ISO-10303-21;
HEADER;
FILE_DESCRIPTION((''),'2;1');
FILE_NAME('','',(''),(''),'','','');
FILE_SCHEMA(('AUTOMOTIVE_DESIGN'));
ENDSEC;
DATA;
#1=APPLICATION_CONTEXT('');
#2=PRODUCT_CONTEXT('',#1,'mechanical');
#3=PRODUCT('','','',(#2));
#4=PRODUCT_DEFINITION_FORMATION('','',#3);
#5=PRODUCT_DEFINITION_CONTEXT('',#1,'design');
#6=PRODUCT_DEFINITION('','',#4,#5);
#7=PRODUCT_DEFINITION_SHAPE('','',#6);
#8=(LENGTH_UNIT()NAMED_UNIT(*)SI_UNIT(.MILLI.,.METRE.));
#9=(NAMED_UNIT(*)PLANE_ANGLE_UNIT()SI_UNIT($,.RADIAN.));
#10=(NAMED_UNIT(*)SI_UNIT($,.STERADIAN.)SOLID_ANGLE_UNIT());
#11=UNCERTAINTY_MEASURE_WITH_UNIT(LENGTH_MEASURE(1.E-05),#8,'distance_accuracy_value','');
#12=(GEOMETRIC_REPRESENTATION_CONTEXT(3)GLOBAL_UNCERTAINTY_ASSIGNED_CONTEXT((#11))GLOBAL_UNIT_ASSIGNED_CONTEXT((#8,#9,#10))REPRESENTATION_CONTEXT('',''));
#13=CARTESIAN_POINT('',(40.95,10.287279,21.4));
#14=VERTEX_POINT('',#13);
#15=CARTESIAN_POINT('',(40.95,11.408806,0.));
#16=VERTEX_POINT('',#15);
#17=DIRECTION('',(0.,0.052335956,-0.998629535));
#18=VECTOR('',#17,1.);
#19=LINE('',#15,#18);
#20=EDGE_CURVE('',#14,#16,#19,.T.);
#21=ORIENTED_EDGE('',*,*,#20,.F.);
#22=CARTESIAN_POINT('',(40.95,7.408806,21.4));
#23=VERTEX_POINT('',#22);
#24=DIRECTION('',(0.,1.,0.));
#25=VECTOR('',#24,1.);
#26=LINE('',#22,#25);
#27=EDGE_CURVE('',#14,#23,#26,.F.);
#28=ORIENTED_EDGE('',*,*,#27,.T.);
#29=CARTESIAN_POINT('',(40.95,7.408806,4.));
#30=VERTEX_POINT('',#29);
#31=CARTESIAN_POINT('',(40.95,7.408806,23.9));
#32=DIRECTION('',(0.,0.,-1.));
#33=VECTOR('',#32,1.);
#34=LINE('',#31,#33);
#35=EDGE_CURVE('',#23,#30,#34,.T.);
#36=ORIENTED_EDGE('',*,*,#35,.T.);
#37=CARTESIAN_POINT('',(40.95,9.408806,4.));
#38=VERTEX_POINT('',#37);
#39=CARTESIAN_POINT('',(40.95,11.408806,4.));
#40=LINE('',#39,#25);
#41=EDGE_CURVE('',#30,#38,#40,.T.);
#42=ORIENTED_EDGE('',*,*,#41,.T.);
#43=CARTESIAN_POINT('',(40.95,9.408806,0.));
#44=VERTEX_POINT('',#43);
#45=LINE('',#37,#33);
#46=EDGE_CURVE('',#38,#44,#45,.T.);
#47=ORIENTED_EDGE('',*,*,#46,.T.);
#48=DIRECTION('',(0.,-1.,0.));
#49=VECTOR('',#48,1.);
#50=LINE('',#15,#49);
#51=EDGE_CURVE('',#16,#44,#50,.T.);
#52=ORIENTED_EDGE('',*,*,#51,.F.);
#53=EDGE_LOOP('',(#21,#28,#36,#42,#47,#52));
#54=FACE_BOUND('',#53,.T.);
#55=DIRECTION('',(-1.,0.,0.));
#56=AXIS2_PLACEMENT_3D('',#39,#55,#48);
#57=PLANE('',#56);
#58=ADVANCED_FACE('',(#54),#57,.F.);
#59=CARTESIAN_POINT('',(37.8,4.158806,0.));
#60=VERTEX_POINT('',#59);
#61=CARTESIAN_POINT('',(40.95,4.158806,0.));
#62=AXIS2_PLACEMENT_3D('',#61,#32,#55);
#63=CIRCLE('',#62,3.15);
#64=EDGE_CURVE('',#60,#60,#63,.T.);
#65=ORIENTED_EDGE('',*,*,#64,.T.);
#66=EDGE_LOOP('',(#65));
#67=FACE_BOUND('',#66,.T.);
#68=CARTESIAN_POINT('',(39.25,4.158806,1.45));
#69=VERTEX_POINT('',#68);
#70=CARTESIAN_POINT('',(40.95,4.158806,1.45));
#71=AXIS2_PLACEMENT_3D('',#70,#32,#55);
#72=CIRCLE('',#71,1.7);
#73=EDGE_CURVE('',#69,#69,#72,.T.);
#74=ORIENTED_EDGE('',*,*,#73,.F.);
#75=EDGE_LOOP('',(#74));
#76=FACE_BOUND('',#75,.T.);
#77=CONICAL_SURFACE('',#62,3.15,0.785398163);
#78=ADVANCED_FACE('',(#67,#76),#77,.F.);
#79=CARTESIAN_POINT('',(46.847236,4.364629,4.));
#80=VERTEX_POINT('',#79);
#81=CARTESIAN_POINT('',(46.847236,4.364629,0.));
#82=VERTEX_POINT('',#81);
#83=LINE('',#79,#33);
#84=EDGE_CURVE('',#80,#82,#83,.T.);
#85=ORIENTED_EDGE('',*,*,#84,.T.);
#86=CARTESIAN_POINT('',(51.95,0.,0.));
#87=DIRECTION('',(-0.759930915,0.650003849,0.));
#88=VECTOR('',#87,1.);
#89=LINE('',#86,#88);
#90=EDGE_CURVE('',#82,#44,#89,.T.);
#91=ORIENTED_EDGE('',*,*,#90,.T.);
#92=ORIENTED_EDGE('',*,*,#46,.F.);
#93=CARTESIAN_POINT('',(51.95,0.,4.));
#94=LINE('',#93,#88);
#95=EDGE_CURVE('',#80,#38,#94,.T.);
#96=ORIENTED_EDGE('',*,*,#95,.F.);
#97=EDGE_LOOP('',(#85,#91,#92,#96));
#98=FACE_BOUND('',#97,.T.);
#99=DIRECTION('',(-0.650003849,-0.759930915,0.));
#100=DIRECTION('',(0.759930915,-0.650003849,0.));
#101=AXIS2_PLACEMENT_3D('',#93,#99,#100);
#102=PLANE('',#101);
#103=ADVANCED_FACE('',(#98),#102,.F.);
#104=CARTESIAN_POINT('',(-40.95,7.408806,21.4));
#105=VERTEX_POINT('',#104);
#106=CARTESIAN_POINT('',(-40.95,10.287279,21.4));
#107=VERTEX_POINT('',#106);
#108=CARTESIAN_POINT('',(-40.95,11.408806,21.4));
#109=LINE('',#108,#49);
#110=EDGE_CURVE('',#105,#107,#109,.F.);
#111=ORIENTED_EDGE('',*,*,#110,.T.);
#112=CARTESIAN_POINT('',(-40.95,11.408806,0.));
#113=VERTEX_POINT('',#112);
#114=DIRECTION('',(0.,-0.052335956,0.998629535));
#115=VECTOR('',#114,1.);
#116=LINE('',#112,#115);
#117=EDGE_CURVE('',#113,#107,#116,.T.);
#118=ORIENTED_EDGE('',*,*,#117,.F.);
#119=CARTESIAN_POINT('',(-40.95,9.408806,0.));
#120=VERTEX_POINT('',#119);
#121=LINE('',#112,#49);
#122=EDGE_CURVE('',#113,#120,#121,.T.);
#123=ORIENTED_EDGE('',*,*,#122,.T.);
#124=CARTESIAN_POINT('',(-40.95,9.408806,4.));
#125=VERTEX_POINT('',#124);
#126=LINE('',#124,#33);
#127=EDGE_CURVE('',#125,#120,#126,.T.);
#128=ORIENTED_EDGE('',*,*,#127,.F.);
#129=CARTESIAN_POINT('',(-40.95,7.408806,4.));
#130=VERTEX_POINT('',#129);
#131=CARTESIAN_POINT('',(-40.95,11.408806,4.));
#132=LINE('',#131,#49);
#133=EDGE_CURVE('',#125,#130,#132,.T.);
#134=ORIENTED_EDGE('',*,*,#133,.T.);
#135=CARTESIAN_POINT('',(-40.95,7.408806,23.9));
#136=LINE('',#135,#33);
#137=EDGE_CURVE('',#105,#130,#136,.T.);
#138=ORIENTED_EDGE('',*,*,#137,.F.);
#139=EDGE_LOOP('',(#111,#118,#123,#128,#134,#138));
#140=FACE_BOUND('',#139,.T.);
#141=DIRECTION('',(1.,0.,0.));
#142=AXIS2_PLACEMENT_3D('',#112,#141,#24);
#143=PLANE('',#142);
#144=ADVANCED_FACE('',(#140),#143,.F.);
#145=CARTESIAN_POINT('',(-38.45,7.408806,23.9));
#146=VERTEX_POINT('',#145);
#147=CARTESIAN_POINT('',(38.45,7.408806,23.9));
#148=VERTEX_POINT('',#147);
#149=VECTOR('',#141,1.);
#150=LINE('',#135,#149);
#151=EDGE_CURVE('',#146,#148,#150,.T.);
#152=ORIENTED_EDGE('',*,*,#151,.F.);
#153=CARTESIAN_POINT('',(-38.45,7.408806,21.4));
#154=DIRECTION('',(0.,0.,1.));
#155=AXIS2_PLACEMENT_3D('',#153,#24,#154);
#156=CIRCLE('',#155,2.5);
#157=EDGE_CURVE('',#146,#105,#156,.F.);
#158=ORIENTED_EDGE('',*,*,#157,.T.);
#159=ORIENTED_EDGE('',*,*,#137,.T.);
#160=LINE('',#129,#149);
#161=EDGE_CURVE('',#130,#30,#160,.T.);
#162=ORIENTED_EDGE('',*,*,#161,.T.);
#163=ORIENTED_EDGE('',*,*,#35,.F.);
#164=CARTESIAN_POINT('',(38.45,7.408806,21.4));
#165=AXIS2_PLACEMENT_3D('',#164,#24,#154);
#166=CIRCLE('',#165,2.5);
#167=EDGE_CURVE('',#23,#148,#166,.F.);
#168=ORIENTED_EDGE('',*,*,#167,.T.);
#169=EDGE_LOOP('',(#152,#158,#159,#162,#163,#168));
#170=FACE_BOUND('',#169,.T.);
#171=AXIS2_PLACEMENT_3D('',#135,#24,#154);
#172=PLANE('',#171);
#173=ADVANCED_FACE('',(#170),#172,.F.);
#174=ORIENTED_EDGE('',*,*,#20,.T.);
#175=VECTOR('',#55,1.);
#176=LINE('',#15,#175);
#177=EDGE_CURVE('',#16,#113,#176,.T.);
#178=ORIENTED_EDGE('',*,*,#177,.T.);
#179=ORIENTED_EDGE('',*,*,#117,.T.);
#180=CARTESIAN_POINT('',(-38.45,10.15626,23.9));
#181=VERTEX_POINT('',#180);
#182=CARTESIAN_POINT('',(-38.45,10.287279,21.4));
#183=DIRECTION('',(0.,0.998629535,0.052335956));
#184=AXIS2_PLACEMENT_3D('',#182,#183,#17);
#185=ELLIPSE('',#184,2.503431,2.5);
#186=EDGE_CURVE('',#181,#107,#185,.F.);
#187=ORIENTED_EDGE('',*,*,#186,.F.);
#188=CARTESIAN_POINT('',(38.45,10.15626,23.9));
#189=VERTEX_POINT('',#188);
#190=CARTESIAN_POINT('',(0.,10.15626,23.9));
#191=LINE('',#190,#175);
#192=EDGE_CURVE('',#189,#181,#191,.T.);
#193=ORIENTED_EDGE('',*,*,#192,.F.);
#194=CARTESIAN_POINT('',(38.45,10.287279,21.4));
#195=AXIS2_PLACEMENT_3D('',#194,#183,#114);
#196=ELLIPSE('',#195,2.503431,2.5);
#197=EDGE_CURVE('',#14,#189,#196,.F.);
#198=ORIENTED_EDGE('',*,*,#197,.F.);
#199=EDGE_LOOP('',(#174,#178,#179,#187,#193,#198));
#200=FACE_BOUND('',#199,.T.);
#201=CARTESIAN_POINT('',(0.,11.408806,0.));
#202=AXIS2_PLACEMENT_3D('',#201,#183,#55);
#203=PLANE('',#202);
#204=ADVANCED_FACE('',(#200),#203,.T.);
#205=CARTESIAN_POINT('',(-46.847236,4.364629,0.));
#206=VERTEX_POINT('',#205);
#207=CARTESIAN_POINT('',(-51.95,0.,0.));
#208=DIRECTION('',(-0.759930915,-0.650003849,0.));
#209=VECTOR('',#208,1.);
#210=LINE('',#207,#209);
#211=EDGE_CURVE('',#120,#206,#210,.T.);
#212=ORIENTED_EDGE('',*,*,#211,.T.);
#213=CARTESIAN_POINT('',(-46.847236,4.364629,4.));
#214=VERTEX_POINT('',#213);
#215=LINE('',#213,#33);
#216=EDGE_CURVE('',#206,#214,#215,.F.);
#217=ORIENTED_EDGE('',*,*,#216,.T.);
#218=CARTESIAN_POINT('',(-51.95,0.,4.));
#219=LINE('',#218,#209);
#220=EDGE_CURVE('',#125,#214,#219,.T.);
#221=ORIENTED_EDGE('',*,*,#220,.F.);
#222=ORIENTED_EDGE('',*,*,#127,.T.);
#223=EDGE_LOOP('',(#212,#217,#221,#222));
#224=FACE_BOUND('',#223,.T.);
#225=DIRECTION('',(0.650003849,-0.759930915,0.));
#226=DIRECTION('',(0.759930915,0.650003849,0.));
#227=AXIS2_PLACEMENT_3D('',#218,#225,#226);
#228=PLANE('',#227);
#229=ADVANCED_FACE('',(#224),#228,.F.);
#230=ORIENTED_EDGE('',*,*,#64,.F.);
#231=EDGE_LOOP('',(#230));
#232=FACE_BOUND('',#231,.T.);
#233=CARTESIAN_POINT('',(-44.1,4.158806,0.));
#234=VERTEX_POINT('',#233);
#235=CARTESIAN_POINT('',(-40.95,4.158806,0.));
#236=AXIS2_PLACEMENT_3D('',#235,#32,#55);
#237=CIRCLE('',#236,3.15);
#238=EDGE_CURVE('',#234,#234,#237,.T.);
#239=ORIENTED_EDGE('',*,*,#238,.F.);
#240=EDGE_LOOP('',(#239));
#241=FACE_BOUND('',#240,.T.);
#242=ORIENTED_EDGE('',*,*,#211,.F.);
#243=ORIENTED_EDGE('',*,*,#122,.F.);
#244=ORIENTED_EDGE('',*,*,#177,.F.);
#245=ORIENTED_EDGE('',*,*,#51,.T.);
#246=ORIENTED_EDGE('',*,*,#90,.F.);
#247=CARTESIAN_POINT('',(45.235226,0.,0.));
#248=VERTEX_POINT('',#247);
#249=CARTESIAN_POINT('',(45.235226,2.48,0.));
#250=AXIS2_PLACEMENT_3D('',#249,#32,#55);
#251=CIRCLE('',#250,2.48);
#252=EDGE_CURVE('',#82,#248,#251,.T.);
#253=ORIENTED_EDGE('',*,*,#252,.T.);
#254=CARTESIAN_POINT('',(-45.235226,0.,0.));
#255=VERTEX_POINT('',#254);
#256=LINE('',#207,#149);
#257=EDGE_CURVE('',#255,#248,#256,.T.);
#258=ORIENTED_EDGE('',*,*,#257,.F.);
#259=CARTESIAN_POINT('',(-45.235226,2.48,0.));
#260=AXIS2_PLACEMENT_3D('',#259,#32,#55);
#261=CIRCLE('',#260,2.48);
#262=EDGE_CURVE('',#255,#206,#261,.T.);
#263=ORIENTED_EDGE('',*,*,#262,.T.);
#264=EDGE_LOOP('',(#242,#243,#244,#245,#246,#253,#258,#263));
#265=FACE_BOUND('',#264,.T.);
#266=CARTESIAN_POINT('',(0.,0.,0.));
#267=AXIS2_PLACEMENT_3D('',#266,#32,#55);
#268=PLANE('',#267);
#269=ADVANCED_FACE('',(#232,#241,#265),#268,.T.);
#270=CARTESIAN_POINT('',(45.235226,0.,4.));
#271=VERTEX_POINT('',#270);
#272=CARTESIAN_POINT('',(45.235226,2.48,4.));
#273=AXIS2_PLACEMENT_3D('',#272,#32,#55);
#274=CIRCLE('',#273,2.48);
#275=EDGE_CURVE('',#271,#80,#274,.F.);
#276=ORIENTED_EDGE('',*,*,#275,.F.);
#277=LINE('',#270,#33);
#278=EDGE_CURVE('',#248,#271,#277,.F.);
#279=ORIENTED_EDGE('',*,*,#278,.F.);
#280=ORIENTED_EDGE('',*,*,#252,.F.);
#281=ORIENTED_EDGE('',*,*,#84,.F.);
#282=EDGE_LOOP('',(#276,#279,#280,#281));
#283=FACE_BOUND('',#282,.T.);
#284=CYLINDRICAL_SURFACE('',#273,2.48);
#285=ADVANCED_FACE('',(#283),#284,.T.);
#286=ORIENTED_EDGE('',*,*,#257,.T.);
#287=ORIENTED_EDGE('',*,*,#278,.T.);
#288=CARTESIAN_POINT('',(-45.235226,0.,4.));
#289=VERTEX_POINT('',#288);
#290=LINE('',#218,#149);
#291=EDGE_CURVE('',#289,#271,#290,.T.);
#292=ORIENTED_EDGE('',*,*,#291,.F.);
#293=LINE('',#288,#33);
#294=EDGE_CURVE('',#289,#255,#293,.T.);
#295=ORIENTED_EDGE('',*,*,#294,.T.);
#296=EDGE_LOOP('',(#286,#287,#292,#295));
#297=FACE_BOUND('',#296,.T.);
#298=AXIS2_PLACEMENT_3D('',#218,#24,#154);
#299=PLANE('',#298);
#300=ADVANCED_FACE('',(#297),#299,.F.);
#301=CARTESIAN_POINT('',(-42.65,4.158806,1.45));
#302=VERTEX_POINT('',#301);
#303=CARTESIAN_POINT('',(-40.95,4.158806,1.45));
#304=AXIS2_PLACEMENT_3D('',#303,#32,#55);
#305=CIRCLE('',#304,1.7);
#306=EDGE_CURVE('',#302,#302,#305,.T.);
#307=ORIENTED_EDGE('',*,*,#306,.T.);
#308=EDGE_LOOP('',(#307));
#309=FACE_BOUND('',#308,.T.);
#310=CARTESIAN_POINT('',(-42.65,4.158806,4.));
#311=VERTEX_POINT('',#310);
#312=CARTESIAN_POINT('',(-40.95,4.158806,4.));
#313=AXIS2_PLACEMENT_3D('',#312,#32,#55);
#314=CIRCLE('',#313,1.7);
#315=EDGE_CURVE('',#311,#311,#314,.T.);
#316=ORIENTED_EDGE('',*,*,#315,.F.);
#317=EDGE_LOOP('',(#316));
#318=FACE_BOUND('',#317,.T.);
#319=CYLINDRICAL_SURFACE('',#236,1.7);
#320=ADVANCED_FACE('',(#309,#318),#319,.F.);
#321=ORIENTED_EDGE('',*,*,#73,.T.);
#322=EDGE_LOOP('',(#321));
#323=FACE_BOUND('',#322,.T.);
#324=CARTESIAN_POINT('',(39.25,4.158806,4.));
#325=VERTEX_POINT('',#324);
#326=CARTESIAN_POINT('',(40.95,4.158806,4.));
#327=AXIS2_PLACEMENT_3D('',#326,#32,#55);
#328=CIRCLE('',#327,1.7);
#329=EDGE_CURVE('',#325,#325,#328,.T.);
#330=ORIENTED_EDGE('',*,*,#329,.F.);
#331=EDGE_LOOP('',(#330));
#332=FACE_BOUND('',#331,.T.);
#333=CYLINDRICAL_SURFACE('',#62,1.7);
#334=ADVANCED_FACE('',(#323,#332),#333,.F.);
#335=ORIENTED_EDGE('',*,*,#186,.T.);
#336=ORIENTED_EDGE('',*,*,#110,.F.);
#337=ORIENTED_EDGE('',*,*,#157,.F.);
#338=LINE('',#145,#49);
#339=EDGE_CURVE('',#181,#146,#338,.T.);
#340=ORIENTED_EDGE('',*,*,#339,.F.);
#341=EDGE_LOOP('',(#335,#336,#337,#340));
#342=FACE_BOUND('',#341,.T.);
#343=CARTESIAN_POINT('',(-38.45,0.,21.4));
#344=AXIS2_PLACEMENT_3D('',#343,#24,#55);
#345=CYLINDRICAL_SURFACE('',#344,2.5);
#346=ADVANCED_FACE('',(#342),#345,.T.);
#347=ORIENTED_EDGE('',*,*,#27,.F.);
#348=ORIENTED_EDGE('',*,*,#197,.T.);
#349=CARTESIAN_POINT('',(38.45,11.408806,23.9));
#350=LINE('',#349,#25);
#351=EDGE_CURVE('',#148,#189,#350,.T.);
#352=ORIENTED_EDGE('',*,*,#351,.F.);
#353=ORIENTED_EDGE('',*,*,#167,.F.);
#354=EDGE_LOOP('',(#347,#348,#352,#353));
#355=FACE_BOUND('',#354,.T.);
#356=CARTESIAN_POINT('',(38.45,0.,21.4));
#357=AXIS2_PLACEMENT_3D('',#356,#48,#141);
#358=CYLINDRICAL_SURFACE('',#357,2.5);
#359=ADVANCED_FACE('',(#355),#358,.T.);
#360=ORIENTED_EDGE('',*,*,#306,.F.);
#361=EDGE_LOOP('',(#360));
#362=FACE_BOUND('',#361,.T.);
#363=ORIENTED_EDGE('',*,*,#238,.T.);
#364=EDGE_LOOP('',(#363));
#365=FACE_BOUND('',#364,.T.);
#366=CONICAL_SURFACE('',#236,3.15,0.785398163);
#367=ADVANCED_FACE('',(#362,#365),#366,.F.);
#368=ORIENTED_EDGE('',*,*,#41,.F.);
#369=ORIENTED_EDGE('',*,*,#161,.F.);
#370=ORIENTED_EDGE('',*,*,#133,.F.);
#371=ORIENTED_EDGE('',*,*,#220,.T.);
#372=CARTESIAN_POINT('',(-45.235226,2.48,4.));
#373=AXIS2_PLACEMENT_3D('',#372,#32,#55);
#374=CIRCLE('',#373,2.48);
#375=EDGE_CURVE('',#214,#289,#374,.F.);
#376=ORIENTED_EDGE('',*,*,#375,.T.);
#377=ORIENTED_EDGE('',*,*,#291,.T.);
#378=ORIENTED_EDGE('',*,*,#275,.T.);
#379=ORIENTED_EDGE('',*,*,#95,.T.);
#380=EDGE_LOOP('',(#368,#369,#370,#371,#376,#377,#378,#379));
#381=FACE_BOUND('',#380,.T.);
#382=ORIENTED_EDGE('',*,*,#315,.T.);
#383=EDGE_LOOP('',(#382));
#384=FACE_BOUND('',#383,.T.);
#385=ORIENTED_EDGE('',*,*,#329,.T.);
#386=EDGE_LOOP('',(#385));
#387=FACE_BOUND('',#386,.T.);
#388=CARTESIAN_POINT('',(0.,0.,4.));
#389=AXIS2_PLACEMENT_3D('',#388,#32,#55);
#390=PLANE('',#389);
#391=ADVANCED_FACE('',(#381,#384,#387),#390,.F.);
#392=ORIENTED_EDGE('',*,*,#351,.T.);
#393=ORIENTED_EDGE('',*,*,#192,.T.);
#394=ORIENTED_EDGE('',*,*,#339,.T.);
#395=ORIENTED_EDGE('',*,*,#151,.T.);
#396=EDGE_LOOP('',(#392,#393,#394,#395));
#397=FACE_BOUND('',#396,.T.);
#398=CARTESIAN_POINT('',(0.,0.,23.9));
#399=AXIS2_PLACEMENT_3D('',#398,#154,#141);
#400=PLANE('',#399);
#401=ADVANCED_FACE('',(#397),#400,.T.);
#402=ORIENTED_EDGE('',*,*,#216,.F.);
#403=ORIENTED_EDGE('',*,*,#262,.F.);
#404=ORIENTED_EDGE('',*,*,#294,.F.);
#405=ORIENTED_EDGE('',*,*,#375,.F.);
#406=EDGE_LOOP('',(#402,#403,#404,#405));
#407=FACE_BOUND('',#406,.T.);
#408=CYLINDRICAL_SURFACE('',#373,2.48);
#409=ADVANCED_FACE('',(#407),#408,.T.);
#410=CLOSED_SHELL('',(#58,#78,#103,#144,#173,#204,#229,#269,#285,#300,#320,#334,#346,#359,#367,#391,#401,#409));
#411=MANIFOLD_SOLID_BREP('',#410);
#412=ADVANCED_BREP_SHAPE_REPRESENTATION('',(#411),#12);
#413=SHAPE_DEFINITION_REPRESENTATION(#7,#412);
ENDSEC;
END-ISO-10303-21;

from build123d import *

# Parameters (mm, degrees)
BOSS_EXTRUDE1_DEPTH                             = 4
FILLET1_R                                       = 2.48
SKETCH4_W                                       = 81.9
SKETCH4_H                                       = 4
BOSS_EXTRUDE3_DEPTH                             = 2
SKETCH6_W                                       = 81.9
SKETCH6_H                                       = 4
BOSS_EXTRUDE4_DEPTH                             = 19.9
FILLET3_R                                       = 2.5
SKETCH7_W                                       = 81.9
SKETCH7_H                                       = 35.801674527
CUT_REVOLVE2_ANGLE                              = 3
CSK_FOR_M3_FLAT_HEAD_MACHINE_SCREW1_D           = 3.4
CSK_FOR_M3_FLAT_HEAD_MACHINE_SCREW1_DEPTH       = 10.1
CSK_FOR_M3_FLAT_HEAD_MACHINE_SCREW1_CSINK_D     = 6.3
CSK_FOR_M3_FLAT_HEAD_MACHINE_SCREW1_CSINK_ANGLE = 90
CSK_FOR_M3_FLAT_HEAD_MACHINE_SCREW1_TIP         = 1.021463052


with BuildPart() as part:
    # Sketch1 → Boss-Extrude1 (new body)
    with BuildSketch(Plane.XY):
        Polygon((-51.95, 0), (51.95, 0), (40.95, 9.408805716), (-40.95, 9.408805716), align=None)
    extrude(amount=BOSS_EXTRUDE1_DEPTH)

    # Fillet1
    fillet1_edges = [part.edges().sort_by_distance(p)[0] for p in [
        (51.95, 0, 2),
        (-51.95, 0, 2),
    ]]
    fillet(fillet1_edges, radius=FILLET1_R)

    # Sketch4 → Boss-Extrude3 (add)
    with BuildSketch(Plane(origin=(0, 9.408805716, 0), x_dir=(1, 0, 0), z_dir=(0, 1, 0))):
        with Locations((0, -2)):
            Rectangle(SKETCH4_W, SKETCH4_H)
    extrude(amount=BOSS_EXTRUDE3_DEPTH)

    # Sketch6 → Boss-Extrude4 (add)
    with BuildSketch(Plane.XY.offset(4)):
        with Locations((0, 9.408805716)):
            Rectangle(SKETCH6_W, SKETCH6_H)
    extrude(amount=BOSS_EXTRUDE4_DEPTH)

    # Fillet3
    fillet3_edges = [part.edges().sort_by_distance(p)[0] for p in [
        (-40.95, 9.408805716, 23.9),
        (40.95, 9.408805716, 23.9),
    ]]
    fillet(fillet3_edges, radius=FILLET3_R)

    # Sketch7 → Cut-Revolve2 (revolve, cut)
    with BuildSketch(Plane(origin=(0, 11.408805716, 0), x_dir=(1, 0, 0), z_dir=(0, 1, 0))):
        with Locations((0, -17.900837264)):
            Rectangle(SKETCH7_W, SKETCH7_H)
    revolve(axis=Axis((-40.95, 11.408805716, 0), (1, 0, 0)), revolution_arc=CUT_REVOLVE2_ANGLE, mode=Mode.SUBTRACT)

    # CSK for M3 Flat Head Machine Screw1
    with Locations(Plane(origin=(0, 0, 0), x_dir=(-1, 0, 0), z_dir=(0, 0, -1))):
        with Locations((-40.95, 4.158805716), (40.95, 4.158805716)):
            CounterSinkHole(CSK_FOR_M3_FLAT_HEAD_MACHINE_SCREW1_D / 2, CSK_FOR_M3_FLAT_HEAD_MACHINE_SCREW1_CSINK_D / 2, depth=CSK_FOR_M3_FLAT_HEAD_MACHINE_SCREW1_DEPTH, counter_sink_angle=CSK_FOR_M3_FLAT_HEAD_MACHINE_SCREW1_CSINK_ANGLE)
            with Locations((0, 0, -(CSK_FOR_M3_FLAT_HEAD_MACHINE_SCREW1_DEPTH + CSK_FOR_M3_FLAT_HEAD_MACHINE_SCREW1_TIP / 2))):  # 118° drill point
                Cone(0, CSK_FOR_M3_FLAT_HEAD_MACHINE_SCREW1_D / 2, CSK_FOR_M3_FLAT_HEAD_MACHINE_SCREW1_TIP, mode=Mode.SUBTRACT)


solid = part.part
